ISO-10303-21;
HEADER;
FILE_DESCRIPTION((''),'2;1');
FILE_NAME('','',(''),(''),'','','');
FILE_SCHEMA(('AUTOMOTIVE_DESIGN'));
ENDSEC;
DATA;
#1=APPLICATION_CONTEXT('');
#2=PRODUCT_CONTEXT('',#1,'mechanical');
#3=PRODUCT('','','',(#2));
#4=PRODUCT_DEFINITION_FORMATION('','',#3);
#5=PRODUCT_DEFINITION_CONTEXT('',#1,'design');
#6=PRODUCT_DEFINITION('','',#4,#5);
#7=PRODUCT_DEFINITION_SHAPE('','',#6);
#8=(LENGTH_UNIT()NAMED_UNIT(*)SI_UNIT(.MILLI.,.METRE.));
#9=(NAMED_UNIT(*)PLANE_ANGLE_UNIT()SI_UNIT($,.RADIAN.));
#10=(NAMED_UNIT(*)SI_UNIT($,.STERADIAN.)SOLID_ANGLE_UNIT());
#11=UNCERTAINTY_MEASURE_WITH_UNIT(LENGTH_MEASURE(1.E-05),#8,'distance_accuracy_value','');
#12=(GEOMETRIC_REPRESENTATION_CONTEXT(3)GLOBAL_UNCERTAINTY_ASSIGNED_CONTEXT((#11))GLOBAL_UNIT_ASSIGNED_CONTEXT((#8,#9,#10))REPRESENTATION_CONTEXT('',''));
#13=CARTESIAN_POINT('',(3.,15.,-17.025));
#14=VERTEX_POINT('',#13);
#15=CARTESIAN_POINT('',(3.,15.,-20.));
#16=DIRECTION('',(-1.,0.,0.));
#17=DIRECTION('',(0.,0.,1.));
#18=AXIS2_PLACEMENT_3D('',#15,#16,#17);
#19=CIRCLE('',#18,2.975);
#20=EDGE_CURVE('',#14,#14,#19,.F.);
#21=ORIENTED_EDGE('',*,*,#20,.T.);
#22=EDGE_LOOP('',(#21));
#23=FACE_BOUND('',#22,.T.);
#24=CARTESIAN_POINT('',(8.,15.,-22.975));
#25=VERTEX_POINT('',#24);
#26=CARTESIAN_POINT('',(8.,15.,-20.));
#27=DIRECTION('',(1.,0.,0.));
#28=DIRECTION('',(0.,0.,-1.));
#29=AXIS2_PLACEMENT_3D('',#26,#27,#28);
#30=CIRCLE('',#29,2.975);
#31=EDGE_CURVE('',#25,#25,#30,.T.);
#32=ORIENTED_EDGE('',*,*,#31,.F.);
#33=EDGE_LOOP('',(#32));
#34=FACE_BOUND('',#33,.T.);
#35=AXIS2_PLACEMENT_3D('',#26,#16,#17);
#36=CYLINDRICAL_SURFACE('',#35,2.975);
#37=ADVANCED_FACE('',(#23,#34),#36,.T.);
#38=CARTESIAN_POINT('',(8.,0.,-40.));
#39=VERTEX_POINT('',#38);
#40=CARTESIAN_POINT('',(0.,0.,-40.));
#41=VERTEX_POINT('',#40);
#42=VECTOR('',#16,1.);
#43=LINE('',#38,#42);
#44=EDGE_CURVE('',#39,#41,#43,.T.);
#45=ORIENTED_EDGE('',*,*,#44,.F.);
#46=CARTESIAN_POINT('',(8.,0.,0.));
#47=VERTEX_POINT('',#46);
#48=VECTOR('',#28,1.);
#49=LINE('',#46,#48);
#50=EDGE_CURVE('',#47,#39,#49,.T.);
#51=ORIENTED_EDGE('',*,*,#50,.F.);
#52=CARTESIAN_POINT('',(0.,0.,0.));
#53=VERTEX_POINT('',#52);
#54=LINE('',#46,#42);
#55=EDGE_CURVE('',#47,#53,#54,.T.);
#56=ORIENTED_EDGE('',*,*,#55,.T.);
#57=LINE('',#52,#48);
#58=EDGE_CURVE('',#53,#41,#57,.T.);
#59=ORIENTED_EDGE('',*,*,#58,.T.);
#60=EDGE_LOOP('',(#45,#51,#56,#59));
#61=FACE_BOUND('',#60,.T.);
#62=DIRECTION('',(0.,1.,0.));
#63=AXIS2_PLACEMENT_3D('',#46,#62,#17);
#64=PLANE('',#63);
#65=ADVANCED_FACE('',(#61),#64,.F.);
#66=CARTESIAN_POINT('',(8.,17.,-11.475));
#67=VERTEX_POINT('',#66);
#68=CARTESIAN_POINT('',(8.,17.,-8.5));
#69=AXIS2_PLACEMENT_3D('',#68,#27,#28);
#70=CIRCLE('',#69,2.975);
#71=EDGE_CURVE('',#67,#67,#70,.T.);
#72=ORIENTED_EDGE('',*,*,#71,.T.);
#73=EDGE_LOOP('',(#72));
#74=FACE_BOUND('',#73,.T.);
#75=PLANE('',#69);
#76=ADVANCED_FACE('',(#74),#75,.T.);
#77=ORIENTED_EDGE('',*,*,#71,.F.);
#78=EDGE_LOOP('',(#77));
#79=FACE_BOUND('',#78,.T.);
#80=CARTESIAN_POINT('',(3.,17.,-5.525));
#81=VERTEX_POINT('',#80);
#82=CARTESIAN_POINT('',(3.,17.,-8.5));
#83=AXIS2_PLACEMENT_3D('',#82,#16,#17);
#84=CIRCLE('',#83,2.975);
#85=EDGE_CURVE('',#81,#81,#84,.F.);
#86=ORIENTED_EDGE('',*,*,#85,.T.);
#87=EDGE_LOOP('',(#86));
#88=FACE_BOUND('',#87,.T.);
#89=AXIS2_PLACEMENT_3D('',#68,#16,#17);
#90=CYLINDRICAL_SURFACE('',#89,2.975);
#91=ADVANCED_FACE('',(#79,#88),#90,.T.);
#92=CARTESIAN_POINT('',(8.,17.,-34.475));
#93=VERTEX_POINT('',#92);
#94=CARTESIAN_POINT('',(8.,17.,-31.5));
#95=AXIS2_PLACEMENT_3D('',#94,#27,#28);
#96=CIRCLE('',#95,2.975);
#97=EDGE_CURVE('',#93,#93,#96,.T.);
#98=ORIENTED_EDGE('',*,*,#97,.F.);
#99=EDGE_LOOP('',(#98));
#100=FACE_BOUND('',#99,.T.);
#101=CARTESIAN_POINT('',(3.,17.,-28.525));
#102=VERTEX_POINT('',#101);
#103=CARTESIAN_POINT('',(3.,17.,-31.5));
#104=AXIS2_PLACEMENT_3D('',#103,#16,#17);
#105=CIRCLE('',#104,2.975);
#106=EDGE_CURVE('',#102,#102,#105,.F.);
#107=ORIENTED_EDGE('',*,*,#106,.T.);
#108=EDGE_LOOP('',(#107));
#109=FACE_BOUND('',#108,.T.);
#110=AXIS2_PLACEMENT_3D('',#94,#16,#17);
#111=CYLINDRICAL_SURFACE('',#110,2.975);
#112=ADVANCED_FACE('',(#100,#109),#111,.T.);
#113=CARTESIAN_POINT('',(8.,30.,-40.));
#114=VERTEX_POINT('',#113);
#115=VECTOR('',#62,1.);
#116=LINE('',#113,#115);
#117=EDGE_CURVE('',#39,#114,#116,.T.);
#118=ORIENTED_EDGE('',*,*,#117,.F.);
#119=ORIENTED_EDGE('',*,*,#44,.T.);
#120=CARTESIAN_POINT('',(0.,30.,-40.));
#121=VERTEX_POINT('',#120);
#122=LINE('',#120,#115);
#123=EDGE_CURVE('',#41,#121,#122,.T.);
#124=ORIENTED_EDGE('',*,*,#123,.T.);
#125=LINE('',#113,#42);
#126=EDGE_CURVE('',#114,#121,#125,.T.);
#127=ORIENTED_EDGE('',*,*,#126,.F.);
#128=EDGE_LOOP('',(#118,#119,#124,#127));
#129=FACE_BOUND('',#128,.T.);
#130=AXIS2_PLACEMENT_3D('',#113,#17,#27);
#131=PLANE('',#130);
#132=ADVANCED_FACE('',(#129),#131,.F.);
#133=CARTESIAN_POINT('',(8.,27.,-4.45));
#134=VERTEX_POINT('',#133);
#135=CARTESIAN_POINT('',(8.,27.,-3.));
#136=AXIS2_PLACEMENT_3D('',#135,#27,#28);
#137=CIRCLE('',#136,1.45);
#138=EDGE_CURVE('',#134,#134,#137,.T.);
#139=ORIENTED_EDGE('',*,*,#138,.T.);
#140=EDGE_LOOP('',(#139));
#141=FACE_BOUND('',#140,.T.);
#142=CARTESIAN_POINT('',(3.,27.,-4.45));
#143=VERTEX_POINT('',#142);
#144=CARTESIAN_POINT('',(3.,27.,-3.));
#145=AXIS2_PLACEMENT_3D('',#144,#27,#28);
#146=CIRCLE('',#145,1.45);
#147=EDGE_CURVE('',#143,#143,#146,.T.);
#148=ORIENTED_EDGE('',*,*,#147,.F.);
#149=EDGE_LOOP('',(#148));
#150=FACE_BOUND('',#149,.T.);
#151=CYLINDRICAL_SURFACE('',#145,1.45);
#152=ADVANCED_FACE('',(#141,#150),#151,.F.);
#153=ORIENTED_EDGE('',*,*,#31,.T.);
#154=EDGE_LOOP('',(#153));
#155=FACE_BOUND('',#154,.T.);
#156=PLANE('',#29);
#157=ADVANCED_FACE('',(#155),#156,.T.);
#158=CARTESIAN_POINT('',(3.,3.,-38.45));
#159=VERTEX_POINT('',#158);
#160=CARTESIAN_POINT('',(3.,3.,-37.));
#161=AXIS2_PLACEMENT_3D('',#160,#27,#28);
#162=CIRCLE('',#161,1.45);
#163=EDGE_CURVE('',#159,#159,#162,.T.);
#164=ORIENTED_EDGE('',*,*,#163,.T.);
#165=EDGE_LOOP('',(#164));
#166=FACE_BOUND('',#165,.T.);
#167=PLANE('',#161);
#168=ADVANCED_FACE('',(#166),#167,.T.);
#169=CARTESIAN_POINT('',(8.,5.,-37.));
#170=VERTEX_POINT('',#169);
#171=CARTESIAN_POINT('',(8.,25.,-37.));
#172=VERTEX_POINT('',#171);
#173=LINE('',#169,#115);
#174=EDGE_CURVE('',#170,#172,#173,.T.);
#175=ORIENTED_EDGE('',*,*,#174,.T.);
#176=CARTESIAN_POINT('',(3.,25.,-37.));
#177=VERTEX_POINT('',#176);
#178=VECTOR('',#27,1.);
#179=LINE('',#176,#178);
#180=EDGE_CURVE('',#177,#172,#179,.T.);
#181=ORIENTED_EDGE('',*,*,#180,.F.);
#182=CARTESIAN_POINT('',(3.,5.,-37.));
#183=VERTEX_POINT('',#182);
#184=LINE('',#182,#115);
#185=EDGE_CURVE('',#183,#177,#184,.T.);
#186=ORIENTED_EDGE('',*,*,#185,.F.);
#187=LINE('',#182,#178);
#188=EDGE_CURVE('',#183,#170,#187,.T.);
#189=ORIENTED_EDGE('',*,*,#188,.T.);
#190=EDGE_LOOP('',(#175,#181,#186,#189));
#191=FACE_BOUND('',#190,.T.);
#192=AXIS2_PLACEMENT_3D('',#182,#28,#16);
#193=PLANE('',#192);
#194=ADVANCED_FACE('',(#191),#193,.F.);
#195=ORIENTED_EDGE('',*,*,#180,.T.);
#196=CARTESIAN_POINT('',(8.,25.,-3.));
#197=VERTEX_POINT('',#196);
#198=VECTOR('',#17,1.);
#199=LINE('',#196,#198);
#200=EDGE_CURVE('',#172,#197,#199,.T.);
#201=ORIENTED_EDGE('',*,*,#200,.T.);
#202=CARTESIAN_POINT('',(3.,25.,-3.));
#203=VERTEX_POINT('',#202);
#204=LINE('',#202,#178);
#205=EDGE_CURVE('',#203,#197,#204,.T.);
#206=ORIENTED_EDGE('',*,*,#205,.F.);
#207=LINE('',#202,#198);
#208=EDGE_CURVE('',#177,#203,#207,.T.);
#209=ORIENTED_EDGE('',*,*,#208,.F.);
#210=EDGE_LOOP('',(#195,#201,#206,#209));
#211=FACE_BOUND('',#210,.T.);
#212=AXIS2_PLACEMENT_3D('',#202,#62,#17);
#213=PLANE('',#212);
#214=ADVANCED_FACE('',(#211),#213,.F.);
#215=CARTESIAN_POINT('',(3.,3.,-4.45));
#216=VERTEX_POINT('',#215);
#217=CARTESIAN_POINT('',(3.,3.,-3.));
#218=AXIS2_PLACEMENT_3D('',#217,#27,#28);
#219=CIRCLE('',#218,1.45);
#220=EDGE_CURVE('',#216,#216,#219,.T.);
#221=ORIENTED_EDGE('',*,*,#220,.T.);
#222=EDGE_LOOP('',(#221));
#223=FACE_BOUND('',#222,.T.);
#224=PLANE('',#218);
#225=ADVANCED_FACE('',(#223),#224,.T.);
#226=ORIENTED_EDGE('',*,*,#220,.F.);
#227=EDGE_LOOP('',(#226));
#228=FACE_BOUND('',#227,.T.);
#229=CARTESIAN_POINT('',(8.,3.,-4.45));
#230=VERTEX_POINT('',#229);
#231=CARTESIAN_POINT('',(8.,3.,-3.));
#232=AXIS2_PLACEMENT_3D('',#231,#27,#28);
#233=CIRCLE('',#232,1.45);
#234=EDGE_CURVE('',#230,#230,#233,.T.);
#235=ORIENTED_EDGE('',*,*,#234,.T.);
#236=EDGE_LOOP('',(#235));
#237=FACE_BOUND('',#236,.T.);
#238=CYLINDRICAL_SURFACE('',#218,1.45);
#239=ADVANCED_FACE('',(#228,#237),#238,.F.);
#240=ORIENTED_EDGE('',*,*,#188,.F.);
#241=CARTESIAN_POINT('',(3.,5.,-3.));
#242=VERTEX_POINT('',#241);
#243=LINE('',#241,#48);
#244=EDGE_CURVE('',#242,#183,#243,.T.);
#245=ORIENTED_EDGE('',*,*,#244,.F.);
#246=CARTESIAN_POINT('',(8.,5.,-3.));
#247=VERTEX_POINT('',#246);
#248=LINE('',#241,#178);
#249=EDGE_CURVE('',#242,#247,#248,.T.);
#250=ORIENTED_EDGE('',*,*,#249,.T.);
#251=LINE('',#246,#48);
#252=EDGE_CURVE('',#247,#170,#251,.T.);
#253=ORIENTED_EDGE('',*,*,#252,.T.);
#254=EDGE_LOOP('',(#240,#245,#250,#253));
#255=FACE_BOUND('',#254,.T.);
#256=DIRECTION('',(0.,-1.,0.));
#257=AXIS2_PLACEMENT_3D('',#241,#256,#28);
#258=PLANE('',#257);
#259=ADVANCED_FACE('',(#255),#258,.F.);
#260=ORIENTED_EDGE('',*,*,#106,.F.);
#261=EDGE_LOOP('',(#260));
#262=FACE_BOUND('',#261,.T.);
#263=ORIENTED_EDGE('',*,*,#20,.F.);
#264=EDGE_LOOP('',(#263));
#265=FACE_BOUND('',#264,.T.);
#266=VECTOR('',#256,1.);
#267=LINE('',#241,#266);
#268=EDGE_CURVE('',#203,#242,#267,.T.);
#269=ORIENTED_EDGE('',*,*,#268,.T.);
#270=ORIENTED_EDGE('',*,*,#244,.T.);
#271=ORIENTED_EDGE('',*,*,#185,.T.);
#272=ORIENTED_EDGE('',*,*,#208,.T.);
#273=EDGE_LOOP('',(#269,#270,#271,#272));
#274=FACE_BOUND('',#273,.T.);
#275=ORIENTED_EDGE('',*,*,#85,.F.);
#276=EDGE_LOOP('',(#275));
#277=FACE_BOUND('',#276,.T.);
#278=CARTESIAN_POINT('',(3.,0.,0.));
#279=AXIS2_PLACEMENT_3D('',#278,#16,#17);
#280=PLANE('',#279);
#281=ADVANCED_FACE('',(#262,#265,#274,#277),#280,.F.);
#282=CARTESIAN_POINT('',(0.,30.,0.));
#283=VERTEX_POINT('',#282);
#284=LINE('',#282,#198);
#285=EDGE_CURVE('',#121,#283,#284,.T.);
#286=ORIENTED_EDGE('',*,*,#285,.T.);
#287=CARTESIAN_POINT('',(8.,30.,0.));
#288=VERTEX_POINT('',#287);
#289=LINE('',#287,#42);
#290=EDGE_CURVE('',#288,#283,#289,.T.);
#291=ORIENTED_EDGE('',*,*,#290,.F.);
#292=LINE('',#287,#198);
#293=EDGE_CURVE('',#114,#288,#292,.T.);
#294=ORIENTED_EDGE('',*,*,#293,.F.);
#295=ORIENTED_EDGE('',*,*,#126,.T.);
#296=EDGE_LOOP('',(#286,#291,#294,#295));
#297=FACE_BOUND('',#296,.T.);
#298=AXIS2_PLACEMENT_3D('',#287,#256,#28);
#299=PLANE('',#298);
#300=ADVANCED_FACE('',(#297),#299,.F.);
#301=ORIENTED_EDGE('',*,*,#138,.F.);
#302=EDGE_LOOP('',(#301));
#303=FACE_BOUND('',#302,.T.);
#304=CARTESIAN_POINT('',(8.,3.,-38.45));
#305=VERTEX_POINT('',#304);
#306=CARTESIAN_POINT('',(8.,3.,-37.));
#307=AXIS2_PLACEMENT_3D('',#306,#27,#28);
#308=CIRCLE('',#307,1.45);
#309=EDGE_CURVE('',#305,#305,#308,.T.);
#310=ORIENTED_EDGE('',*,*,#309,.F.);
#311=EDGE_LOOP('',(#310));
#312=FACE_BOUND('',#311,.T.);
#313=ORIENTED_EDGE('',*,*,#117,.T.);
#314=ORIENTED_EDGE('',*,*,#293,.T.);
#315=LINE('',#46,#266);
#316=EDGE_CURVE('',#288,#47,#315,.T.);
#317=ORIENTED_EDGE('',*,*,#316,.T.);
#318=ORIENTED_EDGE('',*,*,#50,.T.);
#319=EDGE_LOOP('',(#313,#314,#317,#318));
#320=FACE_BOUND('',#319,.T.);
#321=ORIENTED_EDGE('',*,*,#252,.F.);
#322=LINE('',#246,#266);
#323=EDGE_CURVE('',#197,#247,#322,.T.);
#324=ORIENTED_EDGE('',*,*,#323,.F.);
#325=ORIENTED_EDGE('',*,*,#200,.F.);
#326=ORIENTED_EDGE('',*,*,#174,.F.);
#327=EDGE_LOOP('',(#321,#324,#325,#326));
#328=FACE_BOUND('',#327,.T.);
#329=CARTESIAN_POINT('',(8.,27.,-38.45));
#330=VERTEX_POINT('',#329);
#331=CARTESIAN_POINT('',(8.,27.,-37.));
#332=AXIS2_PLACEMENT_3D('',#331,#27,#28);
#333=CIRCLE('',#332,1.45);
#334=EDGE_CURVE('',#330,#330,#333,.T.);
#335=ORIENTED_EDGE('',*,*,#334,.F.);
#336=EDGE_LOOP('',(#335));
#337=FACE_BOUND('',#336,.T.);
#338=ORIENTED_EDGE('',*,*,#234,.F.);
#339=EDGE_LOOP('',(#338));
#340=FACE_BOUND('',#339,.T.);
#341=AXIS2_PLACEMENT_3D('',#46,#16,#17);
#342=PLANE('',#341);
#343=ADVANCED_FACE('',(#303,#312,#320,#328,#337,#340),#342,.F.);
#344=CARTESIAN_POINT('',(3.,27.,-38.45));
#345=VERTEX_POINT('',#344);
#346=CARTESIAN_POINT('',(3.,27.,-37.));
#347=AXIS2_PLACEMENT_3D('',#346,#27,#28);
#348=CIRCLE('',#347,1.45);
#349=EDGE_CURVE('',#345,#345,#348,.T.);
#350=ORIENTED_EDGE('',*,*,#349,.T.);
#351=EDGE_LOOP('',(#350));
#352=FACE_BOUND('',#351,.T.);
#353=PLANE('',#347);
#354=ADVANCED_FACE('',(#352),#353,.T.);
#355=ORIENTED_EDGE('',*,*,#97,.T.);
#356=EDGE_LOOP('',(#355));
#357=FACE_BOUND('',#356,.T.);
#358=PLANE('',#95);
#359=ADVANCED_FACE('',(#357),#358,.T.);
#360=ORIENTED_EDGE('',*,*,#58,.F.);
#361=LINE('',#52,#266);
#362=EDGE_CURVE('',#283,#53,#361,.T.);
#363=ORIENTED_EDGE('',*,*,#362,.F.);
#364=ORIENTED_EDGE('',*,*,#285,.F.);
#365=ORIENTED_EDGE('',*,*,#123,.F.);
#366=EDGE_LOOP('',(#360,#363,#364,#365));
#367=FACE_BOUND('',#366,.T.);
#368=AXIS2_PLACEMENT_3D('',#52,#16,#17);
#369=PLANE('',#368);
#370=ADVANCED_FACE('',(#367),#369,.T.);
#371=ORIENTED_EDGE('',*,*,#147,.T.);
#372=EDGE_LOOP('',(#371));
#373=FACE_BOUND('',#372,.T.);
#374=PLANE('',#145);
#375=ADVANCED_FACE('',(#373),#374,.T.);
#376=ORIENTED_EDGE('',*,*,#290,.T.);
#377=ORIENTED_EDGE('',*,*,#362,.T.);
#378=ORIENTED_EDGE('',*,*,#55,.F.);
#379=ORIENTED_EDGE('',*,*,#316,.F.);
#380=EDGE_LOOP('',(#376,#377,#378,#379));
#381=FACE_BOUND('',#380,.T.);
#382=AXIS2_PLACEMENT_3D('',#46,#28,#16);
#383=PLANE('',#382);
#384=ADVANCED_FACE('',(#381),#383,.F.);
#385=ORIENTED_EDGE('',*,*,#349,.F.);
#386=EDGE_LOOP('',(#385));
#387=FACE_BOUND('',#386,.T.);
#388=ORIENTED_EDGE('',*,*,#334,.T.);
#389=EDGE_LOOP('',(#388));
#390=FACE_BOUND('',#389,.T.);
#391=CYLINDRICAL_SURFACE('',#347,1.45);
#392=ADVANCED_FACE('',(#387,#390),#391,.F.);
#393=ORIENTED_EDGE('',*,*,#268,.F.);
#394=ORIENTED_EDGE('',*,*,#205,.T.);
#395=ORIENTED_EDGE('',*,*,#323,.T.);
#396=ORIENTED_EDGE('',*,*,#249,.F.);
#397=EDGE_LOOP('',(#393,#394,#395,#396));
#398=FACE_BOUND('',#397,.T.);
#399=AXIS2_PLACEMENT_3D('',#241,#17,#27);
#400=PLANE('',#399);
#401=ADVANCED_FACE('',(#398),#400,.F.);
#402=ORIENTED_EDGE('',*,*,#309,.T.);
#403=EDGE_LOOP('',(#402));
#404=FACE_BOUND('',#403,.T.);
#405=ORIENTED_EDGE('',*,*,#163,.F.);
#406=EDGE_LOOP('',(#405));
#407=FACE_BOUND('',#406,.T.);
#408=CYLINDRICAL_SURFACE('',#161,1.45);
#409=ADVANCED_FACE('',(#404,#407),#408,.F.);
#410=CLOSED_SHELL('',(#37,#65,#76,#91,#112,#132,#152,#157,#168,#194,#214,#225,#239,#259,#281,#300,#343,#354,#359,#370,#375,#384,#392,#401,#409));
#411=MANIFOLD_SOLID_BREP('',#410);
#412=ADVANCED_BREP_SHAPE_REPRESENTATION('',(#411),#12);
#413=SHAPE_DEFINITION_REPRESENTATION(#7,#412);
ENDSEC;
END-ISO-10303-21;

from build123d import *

# Parameters (mm, degrees)
SKETCH1_W           = 40
SKETCH1_H           = 30
BOSS_EXTRUDE1_DEPTH = 8
SKETCH4_R           = 1.45
SKETCH4_W           = 34
SKETCH4_H           = 20
CUT_EXTRUDE1_DEPTH  = 5
SKETCH5_R           = 2.975
BOSS_EXTRUDE2_DEPTH = 5


with BuildPart() as part:
    # Sketch1 → Boss-Extrude1 (new body)
    with BuildSketch(Plane(origin=(0, 0, 0), x_dir=(0, 0, -1), z_dir=(1, 0, 0))):
        with Locations((20, 15)):
            Rectangle(SKETCH1_W, SKETCH1_H)
    extrude(amount=BOSS_EXTRUDE1_DEPTH)

    # Sketch4 → Cut-Extrude1 (cut)
    with BuildSketch(Plane(origin=(8, 0, 0), x_dir=(0, 0, -1), z_dir=(1, 0, 0))):
        with Locations((37, 27)):
            Circle(SKETCH4_R)
        with Locations((3, 27)):
            Circle(SKETCH4_R)
        with Locations((3, 3)):
            Circle(SKETCH4_R)
        with Locations((37, 3)):
            Circle(SKETCH4_R)
        with Locations((20, 15)):
            Rectangle(SKETCH4_W, SKETCH4_H)
    extrude(amount=-CUT_EXTRUDE1_DEPTH, mode=Mode.SUBTRACT)

    # Sketch5 → Boss-Extrude2 (add)
    with BuildSketch(Plane(origin=(3, 0, 0), x_dir=(0, 0, -1), z_dir=(1, 0, 0))):
        with Locations(Location((8.5, 17, 0), (0, 0, 180))):
            Circle(SKETCH5_R)
        with Locations(Location((20, 15, 0), (0, 0, 180))):
            Circle(SKETCH5_R)
        with Locations(Location((31.5, 17, 0), (0, 0, 180))):
            Circle(SKETCH5_R)
    extrude(amount=BOSS_EXTRUDE2_DEPTH)


solid = part.part
